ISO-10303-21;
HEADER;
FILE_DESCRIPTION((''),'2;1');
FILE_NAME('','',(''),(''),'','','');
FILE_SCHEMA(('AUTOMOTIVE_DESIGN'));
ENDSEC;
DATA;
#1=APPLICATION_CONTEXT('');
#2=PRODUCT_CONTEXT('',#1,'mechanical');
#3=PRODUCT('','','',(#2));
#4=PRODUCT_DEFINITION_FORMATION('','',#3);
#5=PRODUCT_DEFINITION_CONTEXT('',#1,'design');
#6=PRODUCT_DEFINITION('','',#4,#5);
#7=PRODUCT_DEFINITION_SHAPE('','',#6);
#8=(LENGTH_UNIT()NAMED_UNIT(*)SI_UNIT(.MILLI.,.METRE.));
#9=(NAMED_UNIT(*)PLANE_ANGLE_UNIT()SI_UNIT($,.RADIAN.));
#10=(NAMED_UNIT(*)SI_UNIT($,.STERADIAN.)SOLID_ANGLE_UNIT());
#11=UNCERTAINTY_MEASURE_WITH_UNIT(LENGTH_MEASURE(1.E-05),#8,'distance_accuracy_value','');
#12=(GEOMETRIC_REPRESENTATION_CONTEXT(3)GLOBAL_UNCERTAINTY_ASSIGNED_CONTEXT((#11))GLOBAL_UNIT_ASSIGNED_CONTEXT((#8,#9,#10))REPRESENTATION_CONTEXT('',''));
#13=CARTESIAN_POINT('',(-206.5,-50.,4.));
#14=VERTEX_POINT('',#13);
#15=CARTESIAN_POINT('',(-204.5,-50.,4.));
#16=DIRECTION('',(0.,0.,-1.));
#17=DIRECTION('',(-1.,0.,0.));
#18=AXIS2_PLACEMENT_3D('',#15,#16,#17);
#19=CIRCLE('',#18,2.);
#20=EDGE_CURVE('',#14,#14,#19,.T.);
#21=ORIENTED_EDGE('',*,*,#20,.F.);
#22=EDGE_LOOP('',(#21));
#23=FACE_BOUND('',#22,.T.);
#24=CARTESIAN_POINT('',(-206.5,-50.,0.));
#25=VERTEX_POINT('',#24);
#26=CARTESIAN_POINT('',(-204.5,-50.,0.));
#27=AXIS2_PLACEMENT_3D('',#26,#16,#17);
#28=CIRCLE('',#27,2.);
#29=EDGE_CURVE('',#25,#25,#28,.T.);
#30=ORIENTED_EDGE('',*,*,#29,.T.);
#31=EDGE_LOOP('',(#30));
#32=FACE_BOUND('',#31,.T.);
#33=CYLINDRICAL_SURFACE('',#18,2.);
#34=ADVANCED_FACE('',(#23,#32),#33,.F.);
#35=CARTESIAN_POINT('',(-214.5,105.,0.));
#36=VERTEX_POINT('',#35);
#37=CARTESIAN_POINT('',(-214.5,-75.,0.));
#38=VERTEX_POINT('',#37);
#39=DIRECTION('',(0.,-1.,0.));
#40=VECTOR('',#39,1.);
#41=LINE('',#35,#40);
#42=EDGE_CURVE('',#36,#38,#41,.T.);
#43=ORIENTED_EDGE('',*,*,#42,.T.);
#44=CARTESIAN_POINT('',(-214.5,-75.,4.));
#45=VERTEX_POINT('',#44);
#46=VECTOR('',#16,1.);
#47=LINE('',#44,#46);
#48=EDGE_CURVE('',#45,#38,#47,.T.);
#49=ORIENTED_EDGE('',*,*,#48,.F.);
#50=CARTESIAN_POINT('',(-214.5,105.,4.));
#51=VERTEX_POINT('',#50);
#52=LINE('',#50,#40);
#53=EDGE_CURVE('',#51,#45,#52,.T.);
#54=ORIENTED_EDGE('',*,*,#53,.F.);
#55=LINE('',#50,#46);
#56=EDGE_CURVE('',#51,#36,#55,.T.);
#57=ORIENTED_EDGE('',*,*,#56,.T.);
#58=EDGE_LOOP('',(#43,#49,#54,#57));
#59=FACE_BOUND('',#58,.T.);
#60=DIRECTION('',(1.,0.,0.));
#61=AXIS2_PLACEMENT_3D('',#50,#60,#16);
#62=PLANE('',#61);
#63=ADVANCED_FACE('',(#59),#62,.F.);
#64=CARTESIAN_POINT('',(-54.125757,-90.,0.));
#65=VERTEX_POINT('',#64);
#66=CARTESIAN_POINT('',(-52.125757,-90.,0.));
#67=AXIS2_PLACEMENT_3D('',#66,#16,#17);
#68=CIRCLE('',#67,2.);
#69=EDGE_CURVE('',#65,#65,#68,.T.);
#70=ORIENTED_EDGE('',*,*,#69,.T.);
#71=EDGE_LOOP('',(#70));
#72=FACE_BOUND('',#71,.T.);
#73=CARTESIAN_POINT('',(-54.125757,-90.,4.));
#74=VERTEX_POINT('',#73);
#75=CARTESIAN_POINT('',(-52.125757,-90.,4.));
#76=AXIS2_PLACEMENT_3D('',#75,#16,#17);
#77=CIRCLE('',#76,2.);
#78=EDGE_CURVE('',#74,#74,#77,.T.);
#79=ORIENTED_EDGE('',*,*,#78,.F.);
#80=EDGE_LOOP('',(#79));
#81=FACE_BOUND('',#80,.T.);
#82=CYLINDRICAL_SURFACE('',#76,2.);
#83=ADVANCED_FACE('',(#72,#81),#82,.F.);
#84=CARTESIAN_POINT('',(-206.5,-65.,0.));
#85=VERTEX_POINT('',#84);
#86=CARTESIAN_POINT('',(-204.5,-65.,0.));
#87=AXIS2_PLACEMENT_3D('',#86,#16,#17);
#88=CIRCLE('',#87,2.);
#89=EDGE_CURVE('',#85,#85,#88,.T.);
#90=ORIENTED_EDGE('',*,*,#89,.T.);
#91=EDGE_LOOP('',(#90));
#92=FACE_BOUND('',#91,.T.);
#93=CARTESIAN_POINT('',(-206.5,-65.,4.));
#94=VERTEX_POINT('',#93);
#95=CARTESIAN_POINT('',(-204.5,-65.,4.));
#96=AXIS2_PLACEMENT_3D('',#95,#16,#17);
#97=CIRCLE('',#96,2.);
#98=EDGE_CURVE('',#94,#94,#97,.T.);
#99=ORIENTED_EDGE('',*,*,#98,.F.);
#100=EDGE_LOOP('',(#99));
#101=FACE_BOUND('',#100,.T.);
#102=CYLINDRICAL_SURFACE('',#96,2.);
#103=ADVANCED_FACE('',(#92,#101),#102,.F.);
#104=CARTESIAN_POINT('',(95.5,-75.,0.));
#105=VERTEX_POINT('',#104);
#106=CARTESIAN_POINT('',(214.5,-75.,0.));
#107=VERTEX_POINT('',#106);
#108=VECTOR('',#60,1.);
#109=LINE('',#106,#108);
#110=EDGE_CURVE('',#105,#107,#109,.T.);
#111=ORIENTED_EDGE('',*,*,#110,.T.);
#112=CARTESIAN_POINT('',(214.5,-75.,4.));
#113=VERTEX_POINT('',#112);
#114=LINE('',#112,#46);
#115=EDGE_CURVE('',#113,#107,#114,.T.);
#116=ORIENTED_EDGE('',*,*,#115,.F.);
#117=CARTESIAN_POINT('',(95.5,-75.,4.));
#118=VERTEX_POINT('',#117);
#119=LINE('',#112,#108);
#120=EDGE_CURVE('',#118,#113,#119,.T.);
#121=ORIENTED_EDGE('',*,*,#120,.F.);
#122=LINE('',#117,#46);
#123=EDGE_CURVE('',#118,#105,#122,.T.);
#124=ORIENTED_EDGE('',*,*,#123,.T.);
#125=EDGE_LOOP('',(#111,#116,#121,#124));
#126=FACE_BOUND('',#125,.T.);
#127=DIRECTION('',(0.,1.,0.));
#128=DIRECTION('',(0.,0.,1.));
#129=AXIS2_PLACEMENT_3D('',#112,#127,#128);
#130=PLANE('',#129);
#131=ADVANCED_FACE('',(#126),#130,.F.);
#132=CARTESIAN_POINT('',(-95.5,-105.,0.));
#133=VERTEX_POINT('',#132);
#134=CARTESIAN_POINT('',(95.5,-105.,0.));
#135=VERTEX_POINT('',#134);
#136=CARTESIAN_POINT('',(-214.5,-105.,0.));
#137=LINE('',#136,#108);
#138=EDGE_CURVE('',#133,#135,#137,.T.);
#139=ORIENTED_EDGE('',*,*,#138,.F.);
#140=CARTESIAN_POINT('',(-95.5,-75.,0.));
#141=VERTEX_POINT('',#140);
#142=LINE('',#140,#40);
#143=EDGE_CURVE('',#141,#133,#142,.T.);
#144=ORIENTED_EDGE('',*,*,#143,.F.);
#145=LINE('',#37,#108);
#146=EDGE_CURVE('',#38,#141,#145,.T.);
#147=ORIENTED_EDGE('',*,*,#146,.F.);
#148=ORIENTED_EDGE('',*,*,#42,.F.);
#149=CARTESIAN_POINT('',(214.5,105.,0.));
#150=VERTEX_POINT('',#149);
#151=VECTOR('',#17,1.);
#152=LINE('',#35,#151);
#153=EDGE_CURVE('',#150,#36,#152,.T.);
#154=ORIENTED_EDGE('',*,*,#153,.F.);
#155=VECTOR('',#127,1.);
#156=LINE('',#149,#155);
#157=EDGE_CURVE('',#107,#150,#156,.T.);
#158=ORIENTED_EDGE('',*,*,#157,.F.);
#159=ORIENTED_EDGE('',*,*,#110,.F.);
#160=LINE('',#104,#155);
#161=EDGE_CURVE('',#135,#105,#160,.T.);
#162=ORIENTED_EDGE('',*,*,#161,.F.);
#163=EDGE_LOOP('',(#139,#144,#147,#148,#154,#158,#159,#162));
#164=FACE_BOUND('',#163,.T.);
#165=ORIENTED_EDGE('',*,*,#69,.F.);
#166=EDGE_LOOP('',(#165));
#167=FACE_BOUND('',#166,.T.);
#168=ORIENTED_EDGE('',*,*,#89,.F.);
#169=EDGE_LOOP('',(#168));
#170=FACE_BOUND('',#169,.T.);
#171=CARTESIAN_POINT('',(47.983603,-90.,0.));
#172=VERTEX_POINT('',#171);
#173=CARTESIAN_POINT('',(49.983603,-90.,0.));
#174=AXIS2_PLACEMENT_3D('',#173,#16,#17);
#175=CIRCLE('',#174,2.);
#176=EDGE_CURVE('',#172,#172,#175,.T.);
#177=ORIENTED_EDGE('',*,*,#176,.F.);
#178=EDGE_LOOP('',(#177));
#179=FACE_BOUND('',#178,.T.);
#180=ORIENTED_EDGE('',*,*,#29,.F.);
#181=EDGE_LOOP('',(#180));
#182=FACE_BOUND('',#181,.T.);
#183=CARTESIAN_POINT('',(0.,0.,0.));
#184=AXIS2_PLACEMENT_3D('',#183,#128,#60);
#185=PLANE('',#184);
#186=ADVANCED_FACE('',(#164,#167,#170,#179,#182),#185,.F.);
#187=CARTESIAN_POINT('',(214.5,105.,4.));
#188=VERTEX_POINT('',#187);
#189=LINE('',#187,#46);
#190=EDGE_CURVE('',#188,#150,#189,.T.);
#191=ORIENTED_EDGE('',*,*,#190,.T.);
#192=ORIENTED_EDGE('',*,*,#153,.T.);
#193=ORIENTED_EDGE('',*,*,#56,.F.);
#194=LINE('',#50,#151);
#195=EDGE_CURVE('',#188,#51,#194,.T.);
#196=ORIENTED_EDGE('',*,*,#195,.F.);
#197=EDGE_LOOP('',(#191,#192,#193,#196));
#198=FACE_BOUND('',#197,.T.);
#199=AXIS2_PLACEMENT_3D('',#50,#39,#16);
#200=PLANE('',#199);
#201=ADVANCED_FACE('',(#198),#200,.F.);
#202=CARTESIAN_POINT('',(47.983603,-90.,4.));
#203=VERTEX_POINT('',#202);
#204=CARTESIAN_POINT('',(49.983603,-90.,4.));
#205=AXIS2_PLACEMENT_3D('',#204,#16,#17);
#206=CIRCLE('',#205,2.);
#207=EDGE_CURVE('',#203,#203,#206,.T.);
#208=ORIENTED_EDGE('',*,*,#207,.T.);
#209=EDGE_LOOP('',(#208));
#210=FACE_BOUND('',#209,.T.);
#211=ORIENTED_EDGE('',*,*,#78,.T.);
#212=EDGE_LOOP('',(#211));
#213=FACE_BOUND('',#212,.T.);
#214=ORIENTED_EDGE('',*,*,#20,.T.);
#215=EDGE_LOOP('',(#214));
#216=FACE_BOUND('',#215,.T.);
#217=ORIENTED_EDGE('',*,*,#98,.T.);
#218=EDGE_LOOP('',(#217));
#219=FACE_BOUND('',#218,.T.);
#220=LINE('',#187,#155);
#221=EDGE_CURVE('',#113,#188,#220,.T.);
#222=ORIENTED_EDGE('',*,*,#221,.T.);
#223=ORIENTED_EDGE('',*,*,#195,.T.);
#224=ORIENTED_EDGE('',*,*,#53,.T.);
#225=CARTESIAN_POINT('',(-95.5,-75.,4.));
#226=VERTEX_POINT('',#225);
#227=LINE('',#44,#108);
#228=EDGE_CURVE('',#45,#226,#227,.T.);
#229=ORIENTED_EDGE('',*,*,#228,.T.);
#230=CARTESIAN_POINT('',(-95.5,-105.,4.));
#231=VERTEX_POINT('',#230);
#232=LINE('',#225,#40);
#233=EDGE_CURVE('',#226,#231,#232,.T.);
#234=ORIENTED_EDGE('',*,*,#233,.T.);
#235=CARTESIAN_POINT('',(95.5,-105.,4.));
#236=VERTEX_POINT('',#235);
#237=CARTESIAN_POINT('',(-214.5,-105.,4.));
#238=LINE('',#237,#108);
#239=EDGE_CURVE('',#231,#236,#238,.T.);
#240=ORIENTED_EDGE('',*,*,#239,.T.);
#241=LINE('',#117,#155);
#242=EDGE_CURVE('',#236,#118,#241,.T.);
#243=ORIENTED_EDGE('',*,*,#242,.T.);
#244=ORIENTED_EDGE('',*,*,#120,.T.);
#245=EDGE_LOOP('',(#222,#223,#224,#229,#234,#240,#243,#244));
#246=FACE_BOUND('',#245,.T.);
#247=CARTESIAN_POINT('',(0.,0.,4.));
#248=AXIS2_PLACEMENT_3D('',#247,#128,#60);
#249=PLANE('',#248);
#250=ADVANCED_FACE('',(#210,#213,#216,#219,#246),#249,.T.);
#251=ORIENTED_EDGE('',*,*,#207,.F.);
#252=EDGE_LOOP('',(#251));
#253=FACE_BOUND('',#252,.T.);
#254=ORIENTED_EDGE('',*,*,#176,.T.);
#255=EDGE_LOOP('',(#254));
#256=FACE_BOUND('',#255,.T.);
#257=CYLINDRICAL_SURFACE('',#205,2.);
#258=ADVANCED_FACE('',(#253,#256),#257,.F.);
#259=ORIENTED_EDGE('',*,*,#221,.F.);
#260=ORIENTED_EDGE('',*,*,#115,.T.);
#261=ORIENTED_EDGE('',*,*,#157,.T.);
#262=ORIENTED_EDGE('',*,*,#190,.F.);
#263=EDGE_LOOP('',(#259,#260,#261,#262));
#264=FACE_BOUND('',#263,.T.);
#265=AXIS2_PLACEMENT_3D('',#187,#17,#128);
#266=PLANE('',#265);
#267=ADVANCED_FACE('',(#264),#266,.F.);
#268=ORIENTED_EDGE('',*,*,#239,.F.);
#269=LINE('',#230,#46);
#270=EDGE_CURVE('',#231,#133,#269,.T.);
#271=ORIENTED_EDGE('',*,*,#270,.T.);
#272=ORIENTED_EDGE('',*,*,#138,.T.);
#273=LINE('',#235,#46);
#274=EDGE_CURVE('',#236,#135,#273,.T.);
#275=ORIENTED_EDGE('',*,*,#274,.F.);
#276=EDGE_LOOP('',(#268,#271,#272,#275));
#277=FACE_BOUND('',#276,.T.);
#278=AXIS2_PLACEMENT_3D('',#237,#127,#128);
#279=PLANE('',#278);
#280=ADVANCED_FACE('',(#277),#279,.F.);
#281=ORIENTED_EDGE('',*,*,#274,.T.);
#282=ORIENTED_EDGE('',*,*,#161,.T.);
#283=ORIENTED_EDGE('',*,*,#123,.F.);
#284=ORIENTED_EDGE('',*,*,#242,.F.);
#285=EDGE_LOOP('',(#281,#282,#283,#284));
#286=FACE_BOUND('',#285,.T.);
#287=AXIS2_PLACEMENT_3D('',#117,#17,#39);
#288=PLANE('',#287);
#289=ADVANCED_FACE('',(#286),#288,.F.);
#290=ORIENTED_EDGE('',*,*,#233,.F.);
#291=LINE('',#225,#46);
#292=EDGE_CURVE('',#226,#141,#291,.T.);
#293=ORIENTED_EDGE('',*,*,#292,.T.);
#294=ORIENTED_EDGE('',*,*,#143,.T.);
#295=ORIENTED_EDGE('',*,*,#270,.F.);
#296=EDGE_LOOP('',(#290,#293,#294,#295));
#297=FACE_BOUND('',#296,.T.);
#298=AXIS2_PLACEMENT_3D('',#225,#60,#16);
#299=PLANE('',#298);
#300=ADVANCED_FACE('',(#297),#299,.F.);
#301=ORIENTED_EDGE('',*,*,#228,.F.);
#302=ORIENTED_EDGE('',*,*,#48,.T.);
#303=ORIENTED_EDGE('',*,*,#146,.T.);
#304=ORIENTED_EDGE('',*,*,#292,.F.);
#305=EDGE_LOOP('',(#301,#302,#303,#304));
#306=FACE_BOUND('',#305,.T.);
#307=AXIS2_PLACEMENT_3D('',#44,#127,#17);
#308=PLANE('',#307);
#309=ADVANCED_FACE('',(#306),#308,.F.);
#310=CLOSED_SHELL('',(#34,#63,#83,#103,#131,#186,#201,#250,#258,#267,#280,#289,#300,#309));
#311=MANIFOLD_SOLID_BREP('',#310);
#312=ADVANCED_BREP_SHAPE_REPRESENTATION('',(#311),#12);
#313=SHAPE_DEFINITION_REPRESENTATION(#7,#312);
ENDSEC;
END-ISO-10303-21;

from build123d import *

# Parameters (mm, degrees)
SKETCH1_W           = 429
SKETCH1_H           = 210
BOSS_EXTRUDE1_DEPTH = 4
SKETCH2_W           = 119
SKETCH2_H           = 30
CUT_EXTRUDE1_DEPTH  = 4
SKETCH3_R           = 2
CUT_EXTRUDE2_DEPTH  = 239.854034925
SKETCH4_R           = 2
CUT_EXTRUDE3_DEPTH  = 239.854034925


with BuildPart() as part:
    # Sketch1 → Boss-Extrude1 (new body)
    with BuildSketch(Plane.XY):
        Rectangle(SKETCH1_W, SKETCH1_H)
    extrude(amount=BOSS_EXTRUDE1_DEPTH)

    # Sketch2 → Cut-Extrude1 (cut)
    with BuildSketch(Plane(origin=(0, 0, 0), x_dir=(-1, 0, 0), z_dir=(0, 0, -1))):
        with Locations((-155, -90)):
            Rectangle(SKETCH2_W, SKETCH2_H)
        with Locations((155, -90)):
            Rectangle(SKETCH2_W, SKETCH2_H)
    extrude(amount=-CUT_EXTRUDE1_DEPTH, mode=Mode.SUBTRACT)

    # Sketch3 → Cut-Extrude2 (cut, through all)
    with BuildSketch(Plane(origin=(0, 0, 0), x_dir=(-1, 0, 0), z_dir=(0, 0, -1))):
        with Locations((-49.983602513, -90)):
            Circle(SKETCH3_R)
        with Locations((52.125756906, -90)):
            Circle(SKETCH3_R)
    extrude(amount=-CUT_EXTRUDE2_DEPTH, mode=Mode.SUBTRACT)

    # Sketch4 → Cut-Extrude3 (cut, through all)
    with BuildSketch(Plane(origin=(0, 0, 0), x_dir=(-1, 0, 0), z_dir=(0, 0, -1))):
        with Locations((204.5, -65)):
            Circle(SKETCH4_R)
        with Locations((204.5, -50)):
            Circle(SKETCH4_R)
    extrude(amount=-CUT_EXTRUDE3_DEPTH, mode=Mode.SUBTRACT)


solid = part.part
